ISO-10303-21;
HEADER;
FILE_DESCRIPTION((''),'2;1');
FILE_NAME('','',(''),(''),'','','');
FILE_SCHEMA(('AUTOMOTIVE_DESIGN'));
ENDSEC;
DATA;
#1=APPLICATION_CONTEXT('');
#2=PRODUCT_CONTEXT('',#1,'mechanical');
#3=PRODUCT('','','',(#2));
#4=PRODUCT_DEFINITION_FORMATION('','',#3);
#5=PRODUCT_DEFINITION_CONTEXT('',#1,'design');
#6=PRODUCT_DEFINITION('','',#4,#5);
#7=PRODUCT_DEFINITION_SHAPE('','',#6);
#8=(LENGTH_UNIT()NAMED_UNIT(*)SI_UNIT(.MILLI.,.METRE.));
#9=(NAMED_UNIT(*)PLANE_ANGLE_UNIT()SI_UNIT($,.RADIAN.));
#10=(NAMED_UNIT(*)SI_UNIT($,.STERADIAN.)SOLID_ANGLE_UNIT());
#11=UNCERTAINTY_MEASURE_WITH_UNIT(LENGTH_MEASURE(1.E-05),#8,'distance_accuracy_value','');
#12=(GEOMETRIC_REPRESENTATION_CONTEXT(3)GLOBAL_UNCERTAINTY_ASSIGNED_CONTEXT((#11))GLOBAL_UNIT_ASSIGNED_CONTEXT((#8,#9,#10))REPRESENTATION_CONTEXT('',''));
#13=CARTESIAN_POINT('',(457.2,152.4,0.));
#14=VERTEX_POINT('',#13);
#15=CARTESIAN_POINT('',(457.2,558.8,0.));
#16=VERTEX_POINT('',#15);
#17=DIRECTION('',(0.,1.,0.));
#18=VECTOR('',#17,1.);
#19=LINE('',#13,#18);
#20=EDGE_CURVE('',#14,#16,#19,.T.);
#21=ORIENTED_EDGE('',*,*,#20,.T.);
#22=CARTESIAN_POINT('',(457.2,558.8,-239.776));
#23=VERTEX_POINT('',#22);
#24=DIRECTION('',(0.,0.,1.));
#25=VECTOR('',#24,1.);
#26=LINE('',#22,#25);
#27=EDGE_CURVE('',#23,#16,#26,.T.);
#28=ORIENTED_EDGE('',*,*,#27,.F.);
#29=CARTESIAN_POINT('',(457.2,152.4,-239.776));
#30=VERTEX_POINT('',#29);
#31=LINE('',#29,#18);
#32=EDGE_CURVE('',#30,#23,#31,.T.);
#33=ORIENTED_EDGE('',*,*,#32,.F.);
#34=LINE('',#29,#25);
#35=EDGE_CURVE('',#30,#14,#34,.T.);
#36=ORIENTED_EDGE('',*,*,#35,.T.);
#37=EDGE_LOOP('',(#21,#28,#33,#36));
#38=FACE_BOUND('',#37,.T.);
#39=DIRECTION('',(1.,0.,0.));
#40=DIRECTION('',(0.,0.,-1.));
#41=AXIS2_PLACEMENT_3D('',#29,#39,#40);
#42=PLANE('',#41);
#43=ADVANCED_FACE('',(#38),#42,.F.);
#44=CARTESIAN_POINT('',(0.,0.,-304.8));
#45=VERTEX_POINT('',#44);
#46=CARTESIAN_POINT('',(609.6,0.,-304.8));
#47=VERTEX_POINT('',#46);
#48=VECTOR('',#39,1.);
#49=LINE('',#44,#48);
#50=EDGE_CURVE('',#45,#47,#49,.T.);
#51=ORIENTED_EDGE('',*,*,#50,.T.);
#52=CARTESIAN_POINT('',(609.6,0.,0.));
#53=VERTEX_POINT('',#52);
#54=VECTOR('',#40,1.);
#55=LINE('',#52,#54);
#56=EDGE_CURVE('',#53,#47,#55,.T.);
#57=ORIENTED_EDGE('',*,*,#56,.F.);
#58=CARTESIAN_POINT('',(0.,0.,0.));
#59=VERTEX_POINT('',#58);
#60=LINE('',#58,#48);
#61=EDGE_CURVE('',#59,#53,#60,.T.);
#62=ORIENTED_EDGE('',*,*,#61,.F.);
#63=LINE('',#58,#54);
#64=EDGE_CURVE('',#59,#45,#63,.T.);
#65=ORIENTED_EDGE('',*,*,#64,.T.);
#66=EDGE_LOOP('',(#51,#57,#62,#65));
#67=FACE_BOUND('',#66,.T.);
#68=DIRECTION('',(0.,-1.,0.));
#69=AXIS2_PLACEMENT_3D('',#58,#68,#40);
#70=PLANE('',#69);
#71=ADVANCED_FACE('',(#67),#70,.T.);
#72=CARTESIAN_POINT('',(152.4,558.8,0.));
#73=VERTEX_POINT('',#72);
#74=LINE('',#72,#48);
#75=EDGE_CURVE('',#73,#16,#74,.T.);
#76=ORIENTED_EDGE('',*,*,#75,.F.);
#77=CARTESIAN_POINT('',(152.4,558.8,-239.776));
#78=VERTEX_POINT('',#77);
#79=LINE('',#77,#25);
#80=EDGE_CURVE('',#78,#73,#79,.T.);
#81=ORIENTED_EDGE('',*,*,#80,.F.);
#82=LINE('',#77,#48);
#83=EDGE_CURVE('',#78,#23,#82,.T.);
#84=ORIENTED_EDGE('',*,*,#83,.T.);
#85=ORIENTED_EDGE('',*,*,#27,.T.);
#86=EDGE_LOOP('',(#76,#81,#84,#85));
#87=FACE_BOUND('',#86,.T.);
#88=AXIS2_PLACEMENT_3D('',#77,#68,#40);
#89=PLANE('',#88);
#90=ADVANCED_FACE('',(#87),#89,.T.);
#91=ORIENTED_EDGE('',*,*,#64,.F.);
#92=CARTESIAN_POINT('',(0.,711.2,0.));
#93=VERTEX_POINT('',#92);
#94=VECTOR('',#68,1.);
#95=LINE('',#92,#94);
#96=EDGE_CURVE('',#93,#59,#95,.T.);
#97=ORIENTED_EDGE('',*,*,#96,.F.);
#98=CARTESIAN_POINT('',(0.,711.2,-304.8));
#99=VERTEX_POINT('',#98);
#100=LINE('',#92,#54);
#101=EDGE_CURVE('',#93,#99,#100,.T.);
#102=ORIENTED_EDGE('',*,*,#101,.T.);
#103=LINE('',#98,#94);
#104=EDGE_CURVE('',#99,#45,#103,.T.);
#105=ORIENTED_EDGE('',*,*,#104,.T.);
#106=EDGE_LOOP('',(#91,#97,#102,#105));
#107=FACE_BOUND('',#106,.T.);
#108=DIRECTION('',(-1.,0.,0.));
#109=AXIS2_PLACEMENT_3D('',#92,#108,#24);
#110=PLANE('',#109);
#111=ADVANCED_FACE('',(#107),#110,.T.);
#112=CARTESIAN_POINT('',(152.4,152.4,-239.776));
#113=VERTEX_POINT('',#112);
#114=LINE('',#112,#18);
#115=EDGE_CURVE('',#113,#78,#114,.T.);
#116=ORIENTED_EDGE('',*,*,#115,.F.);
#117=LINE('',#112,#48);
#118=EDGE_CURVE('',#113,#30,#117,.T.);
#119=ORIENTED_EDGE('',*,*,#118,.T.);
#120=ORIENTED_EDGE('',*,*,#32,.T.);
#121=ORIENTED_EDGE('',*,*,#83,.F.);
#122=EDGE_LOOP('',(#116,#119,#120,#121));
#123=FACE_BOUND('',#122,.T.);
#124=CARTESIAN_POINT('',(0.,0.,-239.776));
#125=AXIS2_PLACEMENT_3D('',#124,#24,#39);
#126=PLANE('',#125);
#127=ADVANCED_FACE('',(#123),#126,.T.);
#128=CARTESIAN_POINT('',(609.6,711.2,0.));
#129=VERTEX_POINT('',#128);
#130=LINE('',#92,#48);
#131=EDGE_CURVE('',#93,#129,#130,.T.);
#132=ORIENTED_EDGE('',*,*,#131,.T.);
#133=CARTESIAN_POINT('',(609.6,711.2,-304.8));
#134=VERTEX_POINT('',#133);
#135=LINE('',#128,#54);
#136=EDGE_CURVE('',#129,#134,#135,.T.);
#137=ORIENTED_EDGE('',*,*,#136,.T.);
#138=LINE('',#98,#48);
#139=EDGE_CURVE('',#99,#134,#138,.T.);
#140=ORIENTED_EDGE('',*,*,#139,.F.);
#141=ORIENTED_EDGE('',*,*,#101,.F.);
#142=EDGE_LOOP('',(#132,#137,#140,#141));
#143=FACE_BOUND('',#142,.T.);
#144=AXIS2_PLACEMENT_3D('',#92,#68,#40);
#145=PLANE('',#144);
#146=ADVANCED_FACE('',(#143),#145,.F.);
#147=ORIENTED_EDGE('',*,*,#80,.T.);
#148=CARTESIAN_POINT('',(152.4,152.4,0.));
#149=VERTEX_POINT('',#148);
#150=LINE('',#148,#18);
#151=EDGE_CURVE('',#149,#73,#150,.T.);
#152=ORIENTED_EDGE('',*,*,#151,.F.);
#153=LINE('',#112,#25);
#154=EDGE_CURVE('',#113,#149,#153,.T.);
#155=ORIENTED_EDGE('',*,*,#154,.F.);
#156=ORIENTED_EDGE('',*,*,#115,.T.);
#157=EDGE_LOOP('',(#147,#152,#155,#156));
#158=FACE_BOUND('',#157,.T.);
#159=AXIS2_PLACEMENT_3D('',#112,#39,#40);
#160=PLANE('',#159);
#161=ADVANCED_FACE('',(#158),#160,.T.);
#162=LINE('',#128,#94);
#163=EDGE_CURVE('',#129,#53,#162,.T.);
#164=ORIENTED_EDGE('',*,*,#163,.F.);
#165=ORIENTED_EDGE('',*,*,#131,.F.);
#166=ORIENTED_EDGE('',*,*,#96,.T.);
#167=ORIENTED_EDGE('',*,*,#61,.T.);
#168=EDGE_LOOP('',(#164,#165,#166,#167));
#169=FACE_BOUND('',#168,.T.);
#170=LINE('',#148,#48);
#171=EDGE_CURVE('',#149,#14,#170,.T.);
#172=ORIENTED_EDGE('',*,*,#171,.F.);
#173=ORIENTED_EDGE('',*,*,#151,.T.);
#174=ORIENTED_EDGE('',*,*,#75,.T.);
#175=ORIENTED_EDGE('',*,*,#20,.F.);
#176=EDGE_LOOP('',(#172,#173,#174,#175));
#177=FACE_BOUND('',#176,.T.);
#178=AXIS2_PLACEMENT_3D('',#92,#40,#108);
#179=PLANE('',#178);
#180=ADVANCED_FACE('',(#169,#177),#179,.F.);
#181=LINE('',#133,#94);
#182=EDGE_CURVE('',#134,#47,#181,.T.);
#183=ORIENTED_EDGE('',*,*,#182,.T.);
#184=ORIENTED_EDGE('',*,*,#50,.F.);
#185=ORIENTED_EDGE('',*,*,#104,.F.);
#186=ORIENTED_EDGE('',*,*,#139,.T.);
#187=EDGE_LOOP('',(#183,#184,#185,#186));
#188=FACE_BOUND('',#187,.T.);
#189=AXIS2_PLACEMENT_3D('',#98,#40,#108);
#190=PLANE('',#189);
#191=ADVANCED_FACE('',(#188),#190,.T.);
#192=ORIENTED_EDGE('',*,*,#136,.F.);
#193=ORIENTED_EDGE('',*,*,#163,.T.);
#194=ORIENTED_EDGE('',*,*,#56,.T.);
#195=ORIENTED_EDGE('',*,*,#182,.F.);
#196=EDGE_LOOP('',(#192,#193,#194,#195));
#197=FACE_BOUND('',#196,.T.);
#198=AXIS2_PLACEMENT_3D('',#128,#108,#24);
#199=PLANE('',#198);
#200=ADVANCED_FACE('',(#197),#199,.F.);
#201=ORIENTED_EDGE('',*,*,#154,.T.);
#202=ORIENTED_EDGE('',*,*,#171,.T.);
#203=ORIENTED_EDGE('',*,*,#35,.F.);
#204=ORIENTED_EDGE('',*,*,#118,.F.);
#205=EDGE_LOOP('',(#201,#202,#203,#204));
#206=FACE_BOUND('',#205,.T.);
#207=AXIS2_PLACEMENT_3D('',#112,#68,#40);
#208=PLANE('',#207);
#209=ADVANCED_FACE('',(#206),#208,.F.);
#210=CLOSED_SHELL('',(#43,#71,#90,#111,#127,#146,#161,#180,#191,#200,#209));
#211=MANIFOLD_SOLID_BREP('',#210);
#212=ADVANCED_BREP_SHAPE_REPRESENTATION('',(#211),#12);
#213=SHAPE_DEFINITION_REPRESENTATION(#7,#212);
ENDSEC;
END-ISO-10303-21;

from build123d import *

# Parameters (mm, degrees)
SKETCH1_W   = 609.6
SKETCH1_H   = 304.8
FRAME_DEPTH = 711.2
SKETCH2_W   = 304.8
SKETCH2_H   = 406.4
SPACE_DEPTH = 239.776


with BuildPart() as part:
    # Sketch1 → Frame (new body)
    with BuildSketch(Plane(origin=(0, 0, 0), x_dir=(1, 0, 0), z_dir=(0, 1, 0))):
        with Locations((304.8, 152.4)):
            Rectangle(SKETCH1_W, SKETCH1_H)
    extrude(amount=FRAME_DEPTH)

    # Sketch2 → Space (cut)
    with BuildSketch(Plane.XY):
        with Locations((304.8, 355.6)):
            Rectangle(SKETCH2_W, SKETCH2_H)
    extrude(amount=-SPACE_DEPTH, mode=Mode.SUBTRACT)


solid = part.part
